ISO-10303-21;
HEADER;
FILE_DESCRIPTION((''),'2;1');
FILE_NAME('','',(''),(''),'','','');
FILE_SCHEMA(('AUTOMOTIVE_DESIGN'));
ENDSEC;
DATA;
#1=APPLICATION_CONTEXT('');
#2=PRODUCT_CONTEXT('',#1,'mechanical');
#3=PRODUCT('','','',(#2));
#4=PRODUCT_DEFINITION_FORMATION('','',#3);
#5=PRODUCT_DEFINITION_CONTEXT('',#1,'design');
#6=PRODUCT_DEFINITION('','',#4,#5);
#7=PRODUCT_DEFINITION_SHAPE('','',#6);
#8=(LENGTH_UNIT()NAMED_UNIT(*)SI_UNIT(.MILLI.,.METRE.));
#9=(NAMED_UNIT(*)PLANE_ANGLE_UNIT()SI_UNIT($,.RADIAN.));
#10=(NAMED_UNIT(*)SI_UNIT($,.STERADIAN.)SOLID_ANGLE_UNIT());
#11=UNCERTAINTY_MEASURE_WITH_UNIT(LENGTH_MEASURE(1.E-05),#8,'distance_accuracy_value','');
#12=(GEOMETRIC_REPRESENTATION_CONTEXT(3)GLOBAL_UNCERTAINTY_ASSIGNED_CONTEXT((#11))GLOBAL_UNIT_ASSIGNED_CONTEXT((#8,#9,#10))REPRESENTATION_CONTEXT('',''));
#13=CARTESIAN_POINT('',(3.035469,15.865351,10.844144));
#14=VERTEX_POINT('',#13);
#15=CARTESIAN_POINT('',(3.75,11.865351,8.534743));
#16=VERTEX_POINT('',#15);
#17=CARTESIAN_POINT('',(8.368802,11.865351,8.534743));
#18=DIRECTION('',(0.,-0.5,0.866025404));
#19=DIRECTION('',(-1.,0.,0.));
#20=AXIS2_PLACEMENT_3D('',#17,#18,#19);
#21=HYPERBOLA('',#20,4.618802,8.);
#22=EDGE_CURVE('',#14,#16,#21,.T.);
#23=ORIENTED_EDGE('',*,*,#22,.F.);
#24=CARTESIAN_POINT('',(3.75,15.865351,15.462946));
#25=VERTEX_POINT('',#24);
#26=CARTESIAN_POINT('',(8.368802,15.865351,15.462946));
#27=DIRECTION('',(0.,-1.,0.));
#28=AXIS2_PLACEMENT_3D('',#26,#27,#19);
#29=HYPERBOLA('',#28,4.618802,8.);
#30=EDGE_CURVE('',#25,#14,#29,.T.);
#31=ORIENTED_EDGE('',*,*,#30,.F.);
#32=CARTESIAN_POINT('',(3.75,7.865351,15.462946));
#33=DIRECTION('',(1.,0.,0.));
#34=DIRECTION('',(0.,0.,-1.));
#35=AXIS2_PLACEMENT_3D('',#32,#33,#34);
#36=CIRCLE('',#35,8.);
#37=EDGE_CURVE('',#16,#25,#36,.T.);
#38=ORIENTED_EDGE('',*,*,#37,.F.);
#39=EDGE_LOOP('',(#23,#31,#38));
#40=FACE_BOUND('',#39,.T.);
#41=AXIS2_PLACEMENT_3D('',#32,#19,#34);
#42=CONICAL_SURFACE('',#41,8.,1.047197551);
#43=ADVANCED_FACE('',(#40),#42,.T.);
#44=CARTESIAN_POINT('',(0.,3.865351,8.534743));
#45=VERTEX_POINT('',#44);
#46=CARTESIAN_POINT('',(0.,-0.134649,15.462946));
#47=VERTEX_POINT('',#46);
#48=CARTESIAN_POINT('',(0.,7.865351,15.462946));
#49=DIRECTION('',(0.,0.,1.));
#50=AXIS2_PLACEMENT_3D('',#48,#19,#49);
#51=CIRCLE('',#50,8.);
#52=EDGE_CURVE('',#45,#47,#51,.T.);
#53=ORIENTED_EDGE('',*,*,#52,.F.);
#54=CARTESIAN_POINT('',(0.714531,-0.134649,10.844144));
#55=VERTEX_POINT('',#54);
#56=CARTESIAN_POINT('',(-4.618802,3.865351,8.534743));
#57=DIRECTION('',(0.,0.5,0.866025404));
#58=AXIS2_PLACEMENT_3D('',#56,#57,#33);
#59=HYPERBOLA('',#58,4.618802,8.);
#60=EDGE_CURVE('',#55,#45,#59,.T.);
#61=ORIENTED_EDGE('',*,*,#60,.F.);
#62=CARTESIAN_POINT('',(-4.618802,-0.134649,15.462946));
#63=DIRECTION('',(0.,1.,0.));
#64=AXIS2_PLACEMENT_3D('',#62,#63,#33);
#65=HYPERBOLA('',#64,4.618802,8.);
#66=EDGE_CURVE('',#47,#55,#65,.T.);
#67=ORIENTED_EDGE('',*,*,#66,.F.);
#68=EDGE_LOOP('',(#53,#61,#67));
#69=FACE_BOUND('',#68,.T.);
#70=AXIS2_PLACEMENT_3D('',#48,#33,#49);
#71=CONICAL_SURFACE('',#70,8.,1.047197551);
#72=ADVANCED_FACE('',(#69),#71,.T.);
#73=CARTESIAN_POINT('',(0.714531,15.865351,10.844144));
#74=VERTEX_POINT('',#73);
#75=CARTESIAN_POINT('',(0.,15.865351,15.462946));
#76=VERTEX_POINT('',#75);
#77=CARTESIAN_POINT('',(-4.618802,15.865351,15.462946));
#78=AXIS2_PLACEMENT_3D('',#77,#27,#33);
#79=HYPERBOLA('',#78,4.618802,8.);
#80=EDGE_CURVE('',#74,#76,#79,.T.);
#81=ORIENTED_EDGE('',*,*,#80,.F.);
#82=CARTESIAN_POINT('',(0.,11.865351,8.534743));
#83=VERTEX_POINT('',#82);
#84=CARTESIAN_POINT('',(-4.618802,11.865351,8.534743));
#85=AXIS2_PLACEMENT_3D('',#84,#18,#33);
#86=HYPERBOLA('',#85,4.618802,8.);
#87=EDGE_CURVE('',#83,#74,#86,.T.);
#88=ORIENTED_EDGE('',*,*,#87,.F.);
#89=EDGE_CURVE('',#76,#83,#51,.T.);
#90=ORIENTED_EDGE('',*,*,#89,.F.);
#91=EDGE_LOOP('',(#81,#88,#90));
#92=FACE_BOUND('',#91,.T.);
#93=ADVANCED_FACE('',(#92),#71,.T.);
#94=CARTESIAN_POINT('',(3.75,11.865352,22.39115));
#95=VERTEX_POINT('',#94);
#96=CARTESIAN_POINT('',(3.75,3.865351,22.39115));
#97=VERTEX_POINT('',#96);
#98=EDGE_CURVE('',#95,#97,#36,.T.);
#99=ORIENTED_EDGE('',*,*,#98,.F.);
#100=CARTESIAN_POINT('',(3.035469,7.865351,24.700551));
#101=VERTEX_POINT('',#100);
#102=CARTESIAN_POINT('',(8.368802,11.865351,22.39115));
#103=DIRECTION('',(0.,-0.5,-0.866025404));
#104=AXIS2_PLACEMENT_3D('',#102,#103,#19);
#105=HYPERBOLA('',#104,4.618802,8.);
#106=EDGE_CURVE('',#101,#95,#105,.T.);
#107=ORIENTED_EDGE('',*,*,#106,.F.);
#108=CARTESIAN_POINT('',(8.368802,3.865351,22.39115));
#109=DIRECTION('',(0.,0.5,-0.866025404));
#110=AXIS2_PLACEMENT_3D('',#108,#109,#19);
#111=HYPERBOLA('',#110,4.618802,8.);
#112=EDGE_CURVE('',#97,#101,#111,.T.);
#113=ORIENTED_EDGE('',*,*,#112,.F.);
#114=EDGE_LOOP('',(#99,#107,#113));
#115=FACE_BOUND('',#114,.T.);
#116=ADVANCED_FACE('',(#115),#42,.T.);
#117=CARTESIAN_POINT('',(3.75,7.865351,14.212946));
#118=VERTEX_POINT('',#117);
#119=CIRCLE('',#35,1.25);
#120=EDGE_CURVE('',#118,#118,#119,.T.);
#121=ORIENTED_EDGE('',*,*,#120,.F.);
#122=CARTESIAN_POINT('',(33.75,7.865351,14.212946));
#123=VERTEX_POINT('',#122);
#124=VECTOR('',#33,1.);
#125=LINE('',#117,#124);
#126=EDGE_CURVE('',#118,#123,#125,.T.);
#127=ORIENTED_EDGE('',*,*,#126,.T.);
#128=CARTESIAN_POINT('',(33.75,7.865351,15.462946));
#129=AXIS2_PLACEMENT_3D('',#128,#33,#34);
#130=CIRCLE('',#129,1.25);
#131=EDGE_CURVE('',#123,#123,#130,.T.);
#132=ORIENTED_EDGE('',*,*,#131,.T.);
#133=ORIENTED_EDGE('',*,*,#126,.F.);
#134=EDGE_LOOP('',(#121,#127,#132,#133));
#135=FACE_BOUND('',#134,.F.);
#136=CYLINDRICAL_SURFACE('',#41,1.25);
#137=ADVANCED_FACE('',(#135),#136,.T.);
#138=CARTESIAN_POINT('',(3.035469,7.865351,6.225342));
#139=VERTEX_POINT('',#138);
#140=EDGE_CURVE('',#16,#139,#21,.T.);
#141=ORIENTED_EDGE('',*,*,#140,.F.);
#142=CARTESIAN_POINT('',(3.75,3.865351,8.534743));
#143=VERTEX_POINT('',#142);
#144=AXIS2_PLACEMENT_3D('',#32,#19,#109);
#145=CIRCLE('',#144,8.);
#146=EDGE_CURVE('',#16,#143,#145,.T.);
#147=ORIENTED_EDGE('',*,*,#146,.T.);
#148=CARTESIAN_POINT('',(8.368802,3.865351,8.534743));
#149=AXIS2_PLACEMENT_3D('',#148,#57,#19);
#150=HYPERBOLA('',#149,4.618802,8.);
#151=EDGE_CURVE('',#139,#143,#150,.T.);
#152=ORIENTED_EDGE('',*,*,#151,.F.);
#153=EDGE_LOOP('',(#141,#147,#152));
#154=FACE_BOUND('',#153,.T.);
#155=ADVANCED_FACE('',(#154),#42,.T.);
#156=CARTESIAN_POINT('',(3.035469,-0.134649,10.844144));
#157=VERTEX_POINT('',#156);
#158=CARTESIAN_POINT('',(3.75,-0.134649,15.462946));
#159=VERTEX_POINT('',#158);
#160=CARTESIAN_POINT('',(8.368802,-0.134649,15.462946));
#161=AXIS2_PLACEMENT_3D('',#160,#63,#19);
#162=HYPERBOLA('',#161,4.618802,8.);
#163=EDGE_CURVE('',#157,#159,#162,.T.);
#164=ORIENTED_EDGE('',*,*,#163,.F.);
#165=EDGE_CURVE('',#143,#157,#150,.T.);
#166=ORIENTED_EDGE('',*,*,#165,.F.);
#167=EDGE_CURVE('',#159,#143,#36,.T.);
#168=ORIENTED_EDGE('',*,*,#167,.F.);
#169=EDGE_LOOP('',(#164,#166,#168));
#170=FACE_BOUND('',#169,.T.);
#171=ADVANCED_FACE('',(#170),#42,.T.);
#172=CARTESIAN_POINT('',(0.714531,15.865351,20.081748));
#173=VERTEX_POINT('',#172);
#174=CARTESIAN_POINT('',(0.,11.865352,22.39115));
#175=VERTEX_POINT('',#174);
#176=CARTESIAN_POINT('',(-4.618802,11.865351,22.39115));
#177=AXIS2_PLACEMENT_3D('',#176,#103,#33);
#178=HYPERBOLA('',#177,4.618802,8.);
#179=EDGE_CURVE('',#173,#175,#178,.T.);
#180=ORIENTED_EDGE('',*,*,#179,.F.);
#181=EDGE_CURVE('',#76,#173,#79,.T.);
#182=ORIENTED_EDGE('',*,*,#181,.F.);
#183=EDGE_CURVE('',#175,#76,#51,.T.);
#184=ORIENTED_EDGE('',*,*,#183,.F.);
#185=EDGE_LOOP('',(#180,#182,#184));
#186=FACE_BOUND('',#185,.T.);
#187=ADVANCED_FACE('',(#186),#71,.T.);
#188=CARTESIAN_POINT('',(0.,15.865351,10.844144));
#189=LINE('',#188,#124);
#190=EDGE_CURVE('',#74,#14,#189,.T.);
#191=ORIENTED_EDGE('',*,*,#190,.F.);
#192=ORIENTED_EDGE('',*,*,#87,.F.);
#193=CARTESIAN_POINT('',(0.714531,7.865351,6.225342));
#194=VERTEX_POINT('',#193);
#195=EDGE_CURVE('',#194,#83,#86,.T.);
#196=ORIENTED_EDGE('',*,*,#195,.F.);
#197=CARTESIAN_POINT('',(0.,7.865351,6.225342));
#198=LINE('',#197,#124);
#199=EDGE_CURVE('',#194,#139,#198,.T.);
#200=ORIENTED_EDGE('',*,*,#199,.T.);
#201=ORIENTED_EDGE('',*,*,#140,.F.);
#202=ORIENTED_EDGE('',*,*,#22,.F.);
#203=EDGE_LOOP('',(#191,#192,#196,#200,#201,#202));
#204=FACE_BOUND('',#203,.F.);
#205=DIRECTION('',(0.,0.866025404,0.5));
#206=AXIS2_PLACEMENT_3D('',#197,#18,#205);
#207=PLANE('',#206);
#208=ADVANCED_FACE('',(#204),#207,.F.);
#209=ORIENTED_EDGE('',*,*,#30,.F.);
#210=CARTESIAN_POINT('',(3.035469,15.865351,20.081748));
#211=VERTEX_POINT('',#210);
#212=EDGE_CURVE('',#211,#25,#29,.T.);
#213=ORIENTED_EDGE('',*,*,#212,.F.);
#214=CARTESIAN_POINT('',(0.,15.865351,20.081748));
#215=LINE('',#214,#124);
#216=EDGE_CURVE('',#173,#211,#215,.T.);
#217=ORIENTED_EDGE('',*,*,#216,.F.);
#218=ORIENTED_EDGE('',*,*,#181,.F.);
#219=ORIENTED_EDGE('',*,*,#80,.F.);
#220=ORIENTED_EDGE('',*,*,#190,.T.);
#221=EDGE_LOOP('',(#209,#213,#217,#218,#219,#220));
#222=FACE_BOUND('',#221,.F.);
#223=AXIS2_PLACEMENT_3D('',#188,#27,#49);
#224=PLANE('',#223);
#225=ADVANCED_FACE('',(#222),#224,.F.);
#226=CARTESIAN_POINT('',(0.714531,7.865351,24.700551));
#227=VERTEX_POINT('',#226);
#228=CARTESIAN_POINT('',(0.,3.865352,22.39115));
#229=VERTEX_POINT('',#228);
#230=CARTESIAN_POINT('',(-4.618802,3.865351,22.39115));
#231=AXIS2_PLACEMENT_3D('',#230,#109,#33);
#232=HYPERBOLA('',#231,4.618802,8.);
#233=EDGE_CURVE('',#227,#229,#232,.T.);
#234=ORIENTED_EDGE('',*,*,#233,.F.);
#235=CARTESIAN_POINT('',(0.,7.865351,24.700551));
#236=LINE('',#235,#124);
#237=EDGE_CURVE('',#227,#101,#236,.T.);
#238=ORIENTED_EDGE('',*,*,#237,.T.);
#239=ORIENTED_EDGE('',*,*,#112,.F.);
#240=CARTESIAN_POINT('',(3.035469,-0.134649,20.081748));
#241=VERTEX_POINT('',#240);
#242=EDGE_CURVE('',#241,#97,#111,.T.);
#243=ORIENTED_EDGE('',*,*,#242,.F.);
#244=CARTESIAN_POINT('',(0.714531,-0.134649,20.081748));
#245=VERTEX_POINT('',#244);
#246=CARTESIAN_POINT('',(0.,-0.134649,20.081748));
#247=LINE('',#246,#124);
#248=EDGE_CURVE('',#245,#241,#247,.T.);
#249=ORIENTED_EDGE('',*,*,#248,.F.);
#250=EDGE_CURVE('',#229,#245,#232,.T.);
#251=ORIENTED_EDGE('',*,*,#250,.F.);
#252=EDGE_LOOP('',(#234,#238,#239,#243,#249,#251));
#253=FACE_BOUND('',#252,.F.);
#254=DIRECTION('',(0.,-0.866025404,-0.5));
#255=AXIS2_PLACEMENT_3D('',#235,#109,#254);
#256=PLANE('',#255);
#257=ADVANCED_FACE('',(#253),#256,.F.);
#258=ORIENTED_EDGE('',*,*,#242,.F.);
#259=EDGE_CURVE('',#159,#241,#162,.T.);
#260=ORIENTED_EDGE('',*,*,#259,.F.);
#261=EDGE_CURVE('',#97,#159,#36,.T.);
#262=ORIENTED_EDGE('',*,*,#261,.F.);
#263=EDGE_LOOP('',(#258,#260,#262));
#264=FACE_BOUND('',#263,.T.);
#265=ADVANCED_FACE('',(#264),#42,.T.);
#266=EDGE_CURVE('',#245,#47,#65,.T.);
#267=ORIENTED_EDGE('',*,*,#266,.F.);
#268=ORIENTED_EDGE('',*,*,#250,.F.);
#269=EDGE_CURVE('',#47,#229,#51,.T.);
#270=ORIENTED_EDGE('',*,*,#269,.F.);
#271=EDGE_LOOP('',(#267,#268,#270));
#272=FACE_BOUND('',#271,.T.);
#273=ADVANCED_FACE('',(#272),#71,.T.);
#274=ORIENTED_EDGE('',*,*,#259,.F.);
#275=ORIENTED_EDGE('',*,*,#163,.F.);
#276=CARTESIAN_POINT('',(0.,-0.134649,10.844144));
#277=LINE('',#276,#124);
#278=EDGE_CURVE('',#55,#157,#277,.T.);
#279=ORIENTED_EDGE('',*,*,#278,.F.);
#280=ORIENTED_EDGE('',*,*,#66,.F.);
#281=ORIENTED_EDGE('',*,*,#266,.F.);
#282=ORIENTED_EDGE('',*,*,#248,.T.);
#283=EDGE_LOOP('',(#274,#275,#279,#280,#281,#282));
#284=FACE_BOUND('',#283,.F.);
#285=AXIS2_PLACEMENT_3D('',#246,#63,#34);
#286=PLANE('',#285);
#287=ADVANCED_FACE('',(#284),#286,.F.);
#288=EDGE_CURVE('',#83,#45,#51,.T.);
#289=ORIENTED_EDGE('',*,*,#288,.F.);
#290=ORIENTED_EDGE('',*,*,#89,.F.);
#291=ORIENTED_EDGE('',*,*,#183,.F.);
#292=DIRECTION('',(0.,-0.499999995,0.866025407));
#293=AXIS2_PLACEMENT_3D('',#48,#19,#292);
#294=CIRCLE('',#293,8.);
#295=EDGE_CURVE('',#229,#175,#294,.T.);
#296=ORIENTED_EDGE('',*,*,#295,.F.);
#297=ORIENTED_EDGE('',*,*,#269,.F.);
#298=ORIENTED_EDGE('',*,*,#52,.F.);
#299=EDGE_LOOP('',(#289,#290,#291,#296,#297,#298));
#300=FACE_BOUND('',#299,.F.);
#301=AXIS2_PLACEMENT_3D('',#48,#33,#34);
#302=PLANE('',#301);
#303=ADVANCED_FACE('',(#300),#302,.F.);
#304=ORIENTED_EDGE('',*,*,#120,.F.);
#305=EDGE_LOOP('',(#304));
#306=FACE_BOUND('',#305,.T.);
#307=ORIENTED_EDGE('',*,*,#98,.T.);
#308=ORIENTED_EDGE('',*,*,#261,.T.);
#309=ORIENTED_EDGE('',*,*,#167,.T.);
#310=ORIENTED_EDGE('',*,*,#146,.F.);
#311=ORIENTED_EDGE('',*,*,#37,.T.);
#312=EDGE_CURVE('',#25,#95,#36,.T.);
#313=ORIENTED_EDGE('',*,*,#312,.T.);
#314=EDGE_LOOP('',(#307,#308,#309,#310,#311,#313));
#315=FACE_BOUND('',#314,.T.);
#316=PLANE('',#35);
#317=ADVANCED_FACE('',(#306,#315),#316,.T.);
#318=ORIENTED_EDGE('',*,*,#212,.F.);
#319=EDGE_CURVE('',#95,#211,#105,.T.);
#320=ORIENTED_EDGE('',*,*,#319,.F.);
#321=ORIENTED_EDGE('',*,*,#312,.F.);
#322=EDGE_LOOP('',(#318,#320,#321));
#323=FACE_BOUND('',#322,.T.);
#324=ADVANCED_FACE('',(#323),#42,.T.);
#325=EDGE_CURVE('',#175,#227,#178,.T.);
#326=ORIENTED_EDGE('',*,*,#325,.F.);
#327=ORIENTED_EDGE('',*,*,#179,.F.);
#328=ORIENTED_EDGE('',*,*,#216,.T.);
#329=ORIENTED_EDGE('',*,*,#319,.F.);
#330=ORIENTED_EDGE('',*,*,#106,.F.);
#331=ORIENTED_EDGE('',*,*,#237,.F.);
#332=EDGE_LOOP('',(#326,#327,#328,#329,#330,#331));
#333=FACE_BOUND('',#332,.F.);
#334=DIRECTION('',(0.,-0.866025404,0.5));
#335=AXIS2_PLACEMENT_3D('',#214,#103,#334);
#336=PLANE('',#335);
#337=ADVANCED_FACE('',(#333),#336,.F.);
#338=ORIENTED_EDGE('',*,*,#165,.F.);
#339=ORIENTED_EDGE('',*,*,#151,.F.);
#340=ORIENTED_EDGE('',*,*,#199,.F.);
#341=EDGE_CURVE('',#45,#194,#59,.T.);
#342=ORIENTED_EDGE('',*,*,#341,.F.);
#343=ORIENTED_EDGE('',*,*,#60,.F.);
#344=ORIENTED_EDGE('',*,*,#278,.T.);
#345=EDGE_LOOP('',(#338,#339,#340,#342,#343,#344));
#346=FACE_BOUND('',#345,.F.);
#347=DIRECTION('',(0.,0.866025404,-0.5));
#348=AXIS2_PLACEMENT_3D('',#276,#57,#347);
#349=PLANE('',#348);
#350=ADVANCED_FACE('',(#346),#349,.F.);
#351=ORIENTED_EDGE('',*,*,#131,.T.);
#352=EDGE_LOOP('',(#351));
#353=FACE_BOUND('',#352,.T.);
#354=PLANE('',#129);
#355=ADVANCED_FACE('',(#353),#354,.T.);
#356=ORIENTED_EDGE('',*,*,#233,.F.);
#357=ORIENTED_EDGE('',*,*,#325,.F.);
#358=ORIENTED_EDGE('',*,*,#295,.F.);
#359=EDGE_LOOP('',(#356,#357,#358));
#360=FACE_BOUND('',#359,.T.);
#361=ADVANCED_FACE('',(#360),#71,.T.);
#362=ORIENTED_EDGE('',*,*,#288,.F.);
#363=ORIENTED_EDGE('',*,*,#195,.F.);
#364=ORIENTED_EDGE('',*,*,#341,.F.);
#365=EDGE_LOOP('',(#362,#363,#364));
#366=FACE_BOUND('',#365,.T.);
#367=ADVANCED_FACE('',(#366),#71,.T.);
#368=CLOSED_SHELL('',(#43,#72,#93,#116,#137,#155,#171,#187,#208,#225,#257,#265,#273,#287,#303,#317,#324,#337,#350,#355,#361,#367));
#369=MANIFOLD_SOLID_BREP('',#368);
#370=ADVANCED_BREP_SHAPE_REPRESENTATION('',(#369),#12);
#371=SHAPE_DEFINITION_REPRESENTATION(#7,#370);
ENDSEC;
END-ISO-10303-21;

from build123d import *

# Parameters (mm, degrees)
Y_KSEKLIK_EKSTR_ZYON1_DEPTH = 3.75
IZIM2_R                     = 1.25
Y_KSEKLIK_EKSTR_ZYON2_DEPTH = 30
IZIM3_OUTSIDE_W             = 63.452
IZIM3_OUTSIDE_H             = 60.976
IZIM3_OUTSIDE_R             = 8
KES_EKSTR_ZYON1_DEPTH       = 10
KES_EKSTR_ZYON1_DRAFT       = -60
IZIM4_OUTSIDE_W             = 63.452
IZIM4_OUTSIDE_H             = 60.976
IZIM4_OUTSIDE_R             = 8
KES_EKSTR_ZYON2_DEPTH       = 10
KES_EKSTR_ZYON2_DRAFT       = -60


with BuildPart() as part:
    # Çizim1 → Yükseklik-Ekstrüzyon1 (new body)
    with BuildSketch(Plane(origin=(0, 0, 0), x_dir=(0, 0, -1), z_dir=(1, 0, 0))):
        Polygon((-6.225342033, 7.865351493), (-10.844144187, 15.865351493), (-20.081748494, 15.865351493), (-24.700550647, 7.865351493), (-20.081748494, -0.134648507), (-10.844144187, -0.134648507), align=None)
    extrude(amount=Y_KSEKLIK_EKSTR_ZYON1_DEPTH)

    # Çizim2 → Yükseklik-Ekstrüzyon2 (add)
    with BuildSketch(Plane(origin=(3.75, 0, 0), x_dir=(0, 0, -1), z_dir=(1, 0, 0))):
        with Locations((-15.46294634, 7.865351493)):
            Circle(IZIM2_R)
    extrude(amount=Y_KSEKLIK_EKSTR_ZYON2_DEPTH)


with BuildPart() as kes_ekstr_zyon1_tool:
    # Çizim3 outside → Kes-Ekstrüzyon1 (with draft: the straight prism first)
    with BuildSketch(Plane.ZY):
        with Locations((15.463, 7.865)):
            Rectangle(IZIM3_OUTSIDE_W, IZIM3_OUTSIDE_H)
        with Locations((15.46294634, 7.865351493)):
            Circle(IZIM3_OUTSIDE_R, mode=Mode.SUBTRACT)
    extrude(amount=-KES_EKSTR_ZYON1_DEPTH)
    # Kes-Ekstrüzyon1: the draft: its side faces are tilted about the plane it starts from
    kes_ekstr_zyon1_sides = [kes_ekstr_zyon1_tool.faces().sort_by_distance(p)[0] for p in [
        (5, -22.623, 15.463),
        (5, 7.865, 47.189),
        (5, 38.353, 15.463),
        (5, 7.865, -16.263),
        (5, 7.865351493, 7.46294634),
    ]]
    draft(kes_ekstr_zyon1_sides, Plane.ZY, KES_EKSTR_ZYON1_DRAFT)


with BuildPart() as part_1:
    add(part.part)

    # Kes-Ekstrüzyon1: cut by kes_ekstr_zyon1_tool
    add(kes_ekstr_zyon1_tool.part, mode=Mode.SUBTRACT)


with BuildPart() as kes_ekstr_zyon2_tool:
    # Çizim4 outside → Kes-Ekstrüzyon2 (with draft: the straight prism first)
    with BuildSketch(Plane(origin=(3.75, 0, 0), x_dir=(0, 0, -1), z_dir=(1, 0, 0))):
        with Locations((-15.463, 7.865)):
            Rectangle(IZIM4_OUTSIDE_W, IZIM4_OUTSIDE_H)
        with Locations((-15.46294634, 7.865351493)):
            Circle(IZIM4_OUTSIDE_R, mode=Mode.SUBTRACT)
    extrude(amount=-KES_EKSTR_ZYON2_DEPTH)
    # Kes-Ekstrüzyon2: the draft: its side faces are tilted about the plane it starts from
    kes_ekstr_zyon2_sides = [kes_ekstr_zyon2_tool.faces().sort_by_distance(p)[0] for p in [
        (-1.25, -22.623, 15.463),
        (-1.25, 7.865, -16.263),
        (-1.25, 38.353, 15.463),
        (-1.25, 7.865, 47.189),
        (-1.25, 7.865351493, 23.46294634),
    ]]
    draft(kes_ekstr_zyon2_sides, Plane(origin=(3.75, 0, 0), x_dir=(0, 0, -1), z_dir=(1, 0, 0)), KES_EKSTR_ZYON2_DRAFT)


with BuildPart() as part_2:
    add(part_1.part)

    # Kes-Ekstrüzyon2: cut by kes_ekstr_zyon2_tool
    add(kes_ekstr_zyon2_tool.part, mode=Mode.SUBTRACT)


solid = part_2.part
